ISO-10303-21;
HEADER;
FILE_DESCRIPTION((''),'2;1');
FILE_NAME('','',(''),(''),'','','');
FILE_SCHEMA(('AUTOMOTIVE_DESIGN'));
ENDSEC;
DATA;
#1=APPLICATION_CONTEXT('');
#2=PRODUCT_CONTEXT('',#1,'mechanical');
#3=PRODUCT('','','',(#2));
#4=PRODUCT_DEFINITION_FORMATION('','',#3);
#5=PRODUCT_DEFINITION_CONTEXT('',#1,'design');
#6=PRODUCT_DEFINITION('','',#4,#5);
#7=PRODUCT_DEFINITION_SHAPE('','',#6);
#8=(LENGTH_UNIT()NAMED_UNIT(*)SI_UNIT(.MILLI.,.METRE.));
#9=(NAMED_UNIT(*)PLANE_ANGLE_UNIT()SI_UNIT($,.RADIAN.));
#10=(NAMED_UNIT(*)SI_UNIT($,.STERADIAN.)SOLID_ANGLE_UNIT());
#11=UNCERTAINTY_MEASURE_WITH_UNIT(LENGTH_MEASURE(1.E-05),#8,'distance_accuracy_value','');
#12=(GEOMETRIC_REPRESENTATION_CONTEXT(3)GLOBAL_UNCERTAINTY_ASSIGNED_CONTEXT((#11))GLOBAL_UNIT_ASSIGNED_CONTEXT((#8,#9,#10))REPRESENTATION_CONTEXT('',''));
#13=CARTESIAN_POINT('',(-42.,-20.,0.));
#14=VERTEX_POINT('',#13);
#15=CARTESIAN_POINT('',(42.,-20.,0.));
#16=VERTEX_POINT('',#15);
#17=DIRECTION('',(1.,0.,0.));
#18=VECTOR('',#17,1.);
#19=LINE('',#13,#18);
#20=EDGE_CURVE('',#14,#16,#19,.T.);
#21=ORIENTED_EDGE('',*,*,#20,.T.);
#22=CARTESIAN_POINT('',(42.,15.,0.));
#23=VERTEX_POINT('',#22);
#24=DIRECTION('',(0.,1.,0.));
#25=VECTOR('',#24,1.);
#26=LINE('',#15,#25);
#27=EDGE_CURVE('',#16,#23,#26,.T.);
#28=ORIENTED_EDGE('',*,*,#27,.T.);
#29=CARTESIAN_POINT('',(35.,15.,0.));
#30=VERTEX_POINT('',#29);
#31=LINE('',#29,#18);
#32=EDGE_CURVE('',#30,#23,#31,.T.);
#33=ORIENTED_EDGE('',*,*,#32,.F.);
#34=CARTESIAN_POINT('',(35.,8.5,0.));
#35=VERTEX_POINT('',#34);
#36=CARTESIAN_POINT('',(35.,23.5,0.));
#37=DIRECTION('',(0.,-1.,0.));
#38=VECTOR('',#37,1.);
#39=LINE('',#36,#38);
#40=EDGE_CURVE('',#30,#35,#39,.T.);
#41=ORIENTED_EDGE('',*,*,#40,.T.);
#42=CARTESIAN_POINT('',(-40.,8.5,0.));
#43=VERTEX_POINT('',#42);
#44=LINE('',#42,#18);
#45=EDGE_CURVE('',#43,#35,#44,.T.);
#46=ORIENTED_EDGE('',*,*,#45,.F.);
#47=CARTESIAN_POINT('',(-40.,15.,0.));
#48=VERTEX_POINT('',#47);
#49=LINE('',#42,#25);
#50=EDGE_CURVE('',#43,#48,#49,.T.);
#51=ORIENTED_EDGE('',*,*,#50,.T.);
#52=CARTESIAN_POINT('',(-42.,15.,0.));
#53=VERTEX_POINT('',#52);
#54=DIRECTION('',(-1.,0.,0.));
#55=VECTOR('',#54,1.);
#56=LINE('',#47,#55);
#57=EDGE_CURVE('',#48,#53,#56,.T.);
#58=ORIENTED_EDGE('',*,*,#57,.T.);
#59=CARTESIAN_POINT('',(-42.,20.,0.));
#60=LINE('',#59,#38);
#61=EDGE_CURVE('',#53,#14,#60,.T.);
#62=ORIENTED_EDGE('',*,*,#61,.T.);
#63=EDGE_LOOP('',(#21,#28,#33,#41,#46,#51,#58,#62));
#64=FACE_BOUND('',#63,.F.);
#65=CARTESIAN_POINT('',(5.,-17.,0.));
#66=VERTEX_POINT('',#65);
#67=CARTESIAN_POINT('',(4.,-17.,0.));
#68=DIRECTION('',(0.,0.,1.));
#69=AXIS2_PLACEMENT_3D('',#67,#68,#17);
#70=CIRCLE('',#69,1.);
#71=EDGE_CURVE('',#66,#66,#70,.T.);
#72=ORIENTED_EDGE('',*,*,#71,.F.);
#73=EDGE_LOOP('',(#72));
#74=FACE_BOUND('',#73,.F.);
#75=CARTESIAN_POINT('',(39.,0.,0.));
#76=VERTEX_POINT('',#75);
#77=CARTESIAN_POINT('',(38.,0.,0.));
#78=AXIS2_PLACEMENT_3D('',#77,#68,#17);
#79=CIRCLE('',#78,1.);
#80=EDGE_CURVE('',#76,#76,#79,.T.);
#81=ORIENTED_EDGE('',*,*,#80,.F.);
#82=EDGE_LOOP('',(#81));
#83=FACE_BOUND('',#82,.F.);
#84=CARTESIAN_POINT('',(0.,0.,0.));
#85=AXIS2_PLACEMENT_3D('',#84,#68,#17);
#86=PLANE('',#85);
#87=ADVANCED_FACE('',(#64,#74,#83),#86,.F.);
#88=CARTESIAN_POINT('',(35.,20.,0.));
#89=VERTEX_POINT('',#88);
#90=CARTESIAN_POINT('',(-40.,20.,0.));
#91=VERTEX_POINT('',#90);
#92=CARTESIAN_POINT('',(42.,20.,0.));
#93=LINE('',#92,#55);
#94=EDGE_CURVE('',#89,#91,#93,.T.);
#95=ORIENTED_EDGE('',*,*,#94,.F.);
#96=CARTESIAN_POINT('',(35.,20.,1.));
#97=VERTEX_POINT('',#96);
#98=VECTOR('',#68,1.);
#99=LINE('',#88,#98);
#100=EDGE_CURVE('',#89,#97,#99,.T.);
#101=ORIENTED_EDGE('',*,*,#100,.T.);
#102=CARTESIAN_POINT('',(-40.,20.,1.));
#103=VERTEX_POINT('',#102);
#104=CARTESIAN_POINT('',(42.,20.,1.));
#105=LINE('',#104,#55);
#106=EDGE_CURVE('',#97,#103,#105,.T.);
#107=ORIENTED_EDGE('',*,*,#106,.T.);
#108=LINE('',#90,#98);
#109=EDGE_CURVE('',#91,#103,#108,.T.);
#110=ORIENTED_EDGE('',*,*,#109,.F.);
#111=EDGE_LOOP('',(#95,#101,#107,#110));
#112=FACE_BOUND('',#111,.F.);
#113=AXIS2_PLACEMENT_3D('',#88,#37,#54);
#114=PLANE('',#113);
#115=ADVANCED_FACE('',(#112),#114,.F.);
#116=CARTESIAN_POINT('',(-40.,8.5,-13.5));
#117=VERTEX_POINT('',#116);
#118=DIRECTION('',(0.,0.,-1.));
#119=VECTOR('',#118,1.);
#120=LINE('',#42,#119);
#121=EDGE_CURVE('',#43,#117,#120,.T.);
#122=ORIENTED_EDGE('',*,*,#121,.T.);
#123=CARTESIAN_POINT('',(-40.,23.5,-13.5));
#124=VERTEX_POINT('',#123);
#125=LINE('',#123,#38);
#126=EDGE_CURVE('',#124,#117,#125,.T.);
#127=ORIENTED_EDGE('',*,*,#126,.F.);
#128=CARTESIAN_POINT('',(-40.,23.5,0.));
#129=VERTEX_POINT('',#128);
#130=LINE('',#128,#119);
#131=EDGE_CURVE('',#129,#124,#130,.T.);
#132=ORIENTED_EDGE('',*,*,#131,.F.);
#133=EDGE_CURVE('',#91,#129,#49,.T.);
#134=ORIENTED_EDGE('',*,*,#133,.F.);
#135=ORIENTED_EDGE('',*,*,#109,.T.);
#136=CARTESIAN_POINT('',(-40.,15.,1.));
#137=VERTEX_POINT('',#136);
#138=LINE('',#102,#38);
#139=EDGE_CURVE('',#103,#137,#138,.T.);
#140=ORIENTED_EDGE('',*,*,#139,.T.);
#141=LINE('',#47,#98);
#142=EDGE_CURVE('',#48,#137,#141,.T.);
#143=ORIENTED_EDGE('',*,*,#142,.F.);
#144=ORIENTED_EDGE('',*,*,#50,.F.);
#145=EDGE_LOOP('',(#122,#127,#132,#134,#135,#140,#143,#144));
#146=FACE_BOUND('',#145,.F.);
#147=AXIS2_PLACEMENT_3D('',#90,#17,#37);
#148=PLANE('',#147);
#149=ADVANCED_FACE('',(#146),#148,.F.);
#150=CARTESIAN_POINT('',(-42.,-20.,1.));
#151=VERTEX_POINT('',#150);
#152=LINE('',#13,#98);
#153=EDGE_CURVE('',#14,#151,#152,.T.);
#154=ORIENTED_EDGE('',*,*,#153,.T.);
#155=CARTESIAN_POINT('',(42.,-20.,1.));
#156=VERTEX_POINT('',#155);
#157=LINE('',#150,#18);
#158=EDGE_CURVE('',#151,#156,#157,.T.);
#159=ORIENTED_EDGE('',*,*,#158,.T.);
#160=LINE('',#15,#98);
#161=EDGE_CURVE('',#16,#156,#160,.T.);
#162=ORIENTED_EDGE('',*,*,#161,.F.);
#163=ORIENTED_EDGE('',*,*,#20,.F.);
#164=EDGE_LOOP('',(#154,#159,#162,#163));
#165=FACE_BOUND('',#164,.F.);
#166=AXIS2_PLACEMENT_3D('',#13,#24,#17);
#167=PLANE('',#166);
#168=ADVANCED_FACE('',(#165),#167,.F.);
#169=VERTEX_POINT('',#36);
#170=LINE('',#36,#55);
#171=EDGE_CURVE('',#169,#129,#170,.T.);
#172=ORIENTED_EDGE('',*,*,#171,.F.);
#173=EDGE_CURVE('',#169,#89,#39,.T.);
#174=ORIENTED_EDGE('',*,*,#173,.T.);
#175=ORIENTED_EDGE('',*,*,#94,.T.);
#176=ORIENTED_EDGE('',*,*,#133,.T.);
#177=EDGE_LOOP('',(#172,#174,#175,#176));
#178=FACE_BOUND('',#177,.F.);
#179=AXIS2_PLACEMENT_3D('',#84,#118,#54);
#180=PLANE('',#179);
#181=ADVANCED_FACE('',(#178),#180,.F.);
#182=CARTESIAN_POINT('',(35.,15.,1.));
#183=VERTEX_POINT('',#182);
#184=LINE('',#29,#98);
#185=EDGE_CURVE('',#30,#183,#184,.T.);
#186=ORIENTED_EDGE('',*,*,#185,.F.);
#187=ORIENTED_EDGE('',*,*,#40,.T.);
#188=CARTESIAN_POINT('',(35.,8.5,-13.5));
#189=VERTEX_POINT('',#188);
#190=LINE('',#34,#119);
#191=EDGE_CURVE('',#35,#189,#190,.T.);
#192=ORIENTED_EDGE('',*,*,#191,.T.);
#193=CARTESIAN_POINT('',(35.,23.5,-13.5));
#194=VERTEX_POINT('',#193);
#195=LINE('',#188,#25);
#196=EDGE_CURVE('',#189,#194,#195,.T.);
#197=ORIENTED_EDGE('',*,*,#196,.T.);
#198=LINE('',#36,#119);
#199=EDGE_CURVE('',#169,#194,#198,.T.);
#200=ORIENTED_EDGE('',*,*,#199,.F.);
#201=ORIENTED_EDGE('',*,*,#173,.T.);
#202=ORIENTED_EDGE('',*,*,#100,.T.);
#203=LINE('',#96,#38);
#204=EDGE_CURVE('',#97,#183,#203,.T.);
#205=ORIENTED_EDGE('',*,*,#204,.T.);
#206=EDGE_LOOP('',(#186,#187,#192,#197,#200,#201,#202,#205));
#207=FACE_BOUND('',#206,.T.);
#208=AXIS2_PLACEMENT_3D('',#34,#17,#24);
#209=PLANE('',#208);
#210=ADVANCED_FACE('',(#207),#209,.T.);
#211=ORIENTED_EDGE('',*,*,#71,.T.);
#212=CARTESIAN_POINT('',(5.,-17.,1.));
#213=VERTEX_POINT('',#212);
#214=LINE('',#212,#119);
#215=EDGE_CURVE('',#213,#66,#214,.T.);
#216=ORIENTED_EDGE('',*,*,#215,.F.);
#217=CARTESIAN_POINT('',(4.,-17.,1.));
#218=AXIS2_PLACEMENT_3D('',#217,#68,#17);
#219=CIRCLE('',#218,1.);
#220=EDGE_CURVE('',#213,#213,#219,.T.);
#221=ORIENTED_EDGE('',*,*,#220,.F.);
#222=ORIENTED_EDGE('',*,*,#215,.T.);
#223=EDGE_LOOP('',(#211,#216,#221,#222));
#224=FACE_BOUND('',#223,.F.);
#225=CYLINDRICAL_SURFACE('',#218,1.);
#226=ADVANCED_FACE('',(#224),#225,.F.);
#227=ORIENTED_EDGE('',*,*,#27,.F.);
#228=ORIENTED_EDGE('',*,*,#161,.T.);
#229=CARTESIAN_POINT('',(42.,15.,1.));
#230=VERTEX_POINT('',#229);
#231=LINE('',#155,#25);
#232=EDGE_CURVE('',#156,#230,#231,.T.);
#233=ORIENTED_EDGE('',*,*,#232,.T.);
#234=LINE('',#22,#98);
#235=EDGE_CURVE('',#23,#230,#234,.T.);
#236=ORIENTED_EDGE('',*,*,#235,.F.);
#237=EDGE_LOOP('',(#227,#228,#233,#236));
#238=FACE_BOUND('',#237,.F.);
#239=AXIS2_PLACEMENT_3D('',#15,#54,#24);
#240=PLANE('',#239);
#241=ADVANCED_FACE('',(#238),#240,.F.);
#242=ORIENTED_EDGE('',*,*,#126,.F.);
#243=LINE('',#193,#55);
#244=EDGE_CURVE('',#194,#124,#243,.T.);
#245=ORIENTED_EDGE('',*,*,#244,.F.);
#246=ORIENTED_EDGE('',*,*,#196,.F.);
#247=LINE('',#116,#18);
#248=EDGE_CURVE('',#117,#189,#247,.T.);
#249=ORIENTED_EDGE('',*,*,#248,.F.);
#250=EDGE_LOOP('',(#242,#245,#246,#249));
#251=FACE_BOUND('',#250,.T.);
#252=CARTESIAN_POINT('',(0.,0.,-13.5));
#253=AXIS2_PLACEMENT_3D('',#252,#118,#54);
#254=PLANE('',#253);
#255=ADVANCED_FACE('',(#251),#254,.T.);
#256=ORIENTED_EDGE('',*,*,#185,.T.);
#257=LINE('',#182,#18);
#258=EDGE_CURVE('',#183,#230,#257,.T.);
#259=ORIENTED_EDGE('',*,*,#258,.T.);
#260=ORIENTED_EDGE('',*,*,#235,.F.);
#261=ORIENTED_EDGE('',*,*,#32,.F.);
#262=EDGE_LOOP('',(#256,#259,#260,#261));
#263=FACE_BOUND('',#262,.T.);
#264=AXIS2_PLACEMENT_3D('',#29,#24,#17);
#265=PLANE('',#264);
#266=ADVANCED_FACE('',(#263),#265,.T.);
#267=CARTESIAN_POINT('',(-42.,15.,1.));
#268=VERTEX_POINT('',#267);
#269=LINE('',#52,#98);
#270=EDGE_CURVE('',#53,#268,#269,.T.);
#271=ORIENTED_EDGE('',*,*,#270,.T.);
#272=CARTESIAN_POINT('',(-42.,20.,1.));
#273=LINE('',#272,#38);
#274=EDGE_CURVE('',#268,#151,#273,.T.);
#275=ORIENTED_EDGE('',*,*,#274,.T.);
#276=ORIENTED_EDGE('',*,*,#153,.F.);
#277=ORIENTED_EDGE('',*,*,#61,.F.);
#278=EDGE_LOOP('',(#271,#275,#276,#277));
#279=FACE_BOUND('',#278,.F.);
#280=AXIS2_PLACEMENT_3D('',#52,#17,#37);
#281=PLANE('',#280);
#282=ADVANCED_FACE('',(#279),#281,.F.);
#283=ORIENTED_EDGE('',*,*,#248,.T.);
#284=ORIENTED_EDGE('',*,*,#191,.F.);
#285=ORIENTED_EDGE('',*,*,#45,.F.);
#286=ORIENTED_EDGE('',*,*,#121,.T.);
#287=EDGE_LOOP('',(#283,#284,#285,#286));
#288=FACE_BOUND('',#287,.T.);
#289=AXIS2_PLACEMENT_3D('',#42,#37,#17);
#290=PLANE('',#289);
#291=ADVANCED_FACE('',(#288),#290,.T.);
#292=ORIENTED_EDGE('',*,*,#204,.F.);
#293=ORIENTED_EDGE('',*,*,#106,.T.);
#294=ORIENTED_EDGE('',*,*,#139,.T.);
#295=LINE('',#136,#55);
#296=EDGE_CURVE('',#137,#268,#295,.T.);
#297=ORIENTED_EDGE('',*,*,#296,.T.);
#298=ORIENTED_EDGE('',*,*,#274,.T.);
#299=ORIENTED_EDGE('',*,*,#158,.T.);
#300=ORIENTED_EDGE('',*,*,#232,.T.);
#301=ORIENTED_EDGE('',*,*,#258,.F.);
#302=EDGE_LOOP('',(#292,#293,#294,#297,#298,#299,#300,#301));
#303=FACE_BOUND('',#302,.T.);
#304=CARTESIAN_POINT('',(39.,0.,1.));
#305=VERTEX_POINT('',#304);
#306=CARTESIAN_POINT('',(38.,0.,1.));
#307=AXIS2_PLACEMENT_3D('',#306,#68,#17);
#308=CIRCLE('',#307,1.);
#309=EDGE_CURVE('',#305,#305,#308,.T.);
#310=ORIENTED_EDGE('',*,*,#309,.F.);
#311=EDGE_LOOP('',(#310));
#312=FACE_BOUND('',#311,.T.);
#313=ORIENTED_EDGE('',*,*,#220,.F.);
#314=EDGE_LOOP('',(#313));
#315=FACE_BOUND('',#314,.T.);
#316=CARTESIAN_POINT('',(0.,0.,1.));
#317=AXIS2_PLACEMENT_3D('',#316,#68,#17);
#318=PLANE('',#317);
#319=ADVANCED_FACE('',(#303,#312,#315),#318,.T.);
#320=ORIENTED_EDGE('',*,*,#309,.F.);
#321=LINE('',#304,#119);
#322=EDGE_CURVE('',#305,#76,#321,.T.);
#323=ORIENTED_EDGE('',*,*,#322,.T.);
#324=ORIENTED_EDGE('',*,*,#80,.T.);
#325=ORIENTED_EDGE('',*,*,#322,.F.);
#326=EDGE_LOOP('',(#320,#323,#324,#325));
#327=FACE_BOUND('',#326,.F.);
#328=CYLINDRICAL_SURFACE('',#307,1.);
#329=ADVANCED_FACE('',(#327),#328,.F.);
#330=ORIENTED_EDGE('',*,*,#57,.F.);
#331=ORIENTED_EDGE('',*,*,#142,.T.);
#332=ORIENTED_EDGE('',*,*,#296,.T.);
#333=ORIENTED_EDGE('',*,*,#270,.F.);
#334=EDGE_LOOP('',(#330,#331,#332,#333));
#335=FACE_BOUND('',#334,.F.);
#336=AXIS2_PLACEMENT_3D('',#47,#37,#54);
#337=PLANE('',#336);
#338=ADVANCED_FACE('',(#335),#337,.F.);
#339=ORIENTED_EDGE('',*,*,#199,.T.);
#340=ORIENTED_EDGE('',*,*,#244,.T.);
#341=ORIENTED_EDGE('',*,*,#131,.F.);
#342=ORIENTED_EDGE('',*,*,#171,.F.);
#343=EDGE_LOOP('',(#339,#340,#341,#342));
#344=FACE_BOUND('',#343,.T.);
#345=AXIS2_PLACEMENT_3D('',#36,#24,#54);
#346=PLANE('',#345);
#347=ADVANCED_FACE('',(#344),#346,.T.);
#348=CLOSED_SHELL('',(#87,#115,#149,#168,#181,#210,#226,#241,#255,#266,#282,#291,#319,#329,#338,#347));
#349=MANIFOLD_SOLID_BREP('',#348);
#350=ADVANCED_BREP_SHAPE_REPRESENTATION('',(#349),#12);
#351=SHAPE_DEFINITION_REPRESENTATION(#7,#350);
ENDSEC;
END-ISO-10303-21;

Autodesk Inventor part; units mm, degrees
ref_plane "YZ Plane" through (0, 0, 0) normal (1, 0, 0) x (0, 1, 0)
ref_plane "XZ Plane" through (0, 0, 0) normal (0, 1, 0) x (-1, 0, 0)
ref_plane "XY Plane" through (0, 0, 0) normal (0, 0, 1) x (1, 0, 0)
sketch "Эскиз1" plane through (0, 0, 0) normal (0, 0, 1) x (1, 0, 0)
  line L0 (-42, -20) -> (42, -20)
  line L1 (42, -20) -> (42, 20)
  line L2 (42, 20) -> (-42, 20)
  line L3 (-42, 20) -> (-42, -20)
  line L4 (-42, -20) -> (42, 20) construction
  line L5 (42, -20) -> (-42, 20) construction
  line L6 (-42, 20) -> (-40, 20)
  line L7 (-40, 20) -> (-40, 15)
  line L8 (-40, 15) -> (-42, 15)
  line L9 (-42, 15) -> (-42, 20)
  line L10 (42, 20) -> (35, 20)
  line L11 (35, 20) -> (35, 15)
  line L12 (35, 15) -> (42, 15)
  line L13 (42, 15) -> (42, 20)
  point P0 (0, 0)
  dimension "d0" = 84
  dimension "d1" = 40
  dimension "d3" = 5
  dimension "d4" = 2
  dimension "d20" = 75
extrude "Выдавливание1" add sketch "Эскиз1" along normal blind 1 contours L3 L8 L7 L2 L11 L12 L1 L0
sketch "Эскиз2" plane through (0, 0, 0) normal (0, 0, -1) x (-1, 0, 0)
  line L0 (40, 8.5) -> (-35, 8.5)
  line L1 (-35, 8.5) -> (-35, 23.5)
  line L2 (-35, 23.5) -> (40, 23.5)
  line L3 (40, 23.5) -> (40, 8.5)
  line L4 (-35, 20) -> (40, 20) projected
  point P0 (0, 0)
  point P1 (40, 15)
  point P2 (-35, 15)
  dimension "d7" = 3.5
  dimension "d8" = 15
extrude "Выдавливание2" add sketch "Эскиз2" along normal blind 13.5
sketch "Эскиз3" plane through (0, 0, 1) normal (0, 0, 1) x (1, 0, 0)
  circle A0 centre (4, -17) radius 1
  line L0 (-42, -20) -> (42, -20) projected
  line L1 (-42, 15) -> (-42, -20) projected
  circle A1 centre (38, 0) radius 1
  line L2 (42, 15) -> (35, 15) projected
  line L3 (42, -20) -> (42, 15) projected
  point P0 (0, 0)
  dimension "d11" = 2
  dimension "d12" = 3
  dimension "d13" = 46
  dimension "d14" = 2
  dimension "d15" = 15
  dimension "d16" = 4
extrude "Выдавливание3" cut sketch "Эскиз3" against normal through all
sketch "Эскиз4" plane through (0, 0, 1) normal (0, 0, 1) x (1, 0, 0)
  circle A0 centre (38, 0) radius 1 projected
  circle A1 centre (4, -17) radius 1 projected
  line L0 (42, -20) -> (42, 15) projected
  line L1 (42, 15) -> (35, 15) projected
  line L2 (35, 15) -> (35, 20) projected
  line L3 (35, 20) -> (-40, 20) projected
  line L4 (-40, 20) -> (-40, 15) projected
  line L5 (-40, 15) -> (-42, 15) projected
  line L6 (-42, 15) -> (-42, -20) projected
  line L7 (-42, -20) -> (42, -20) projected
  line L8 (42, 15) -> (35, 15) projected
  line L9 (-40, 15) -> (35, 15)
  point P0 (0, 0)
properties part number "TL-SF1005D_pcb"
